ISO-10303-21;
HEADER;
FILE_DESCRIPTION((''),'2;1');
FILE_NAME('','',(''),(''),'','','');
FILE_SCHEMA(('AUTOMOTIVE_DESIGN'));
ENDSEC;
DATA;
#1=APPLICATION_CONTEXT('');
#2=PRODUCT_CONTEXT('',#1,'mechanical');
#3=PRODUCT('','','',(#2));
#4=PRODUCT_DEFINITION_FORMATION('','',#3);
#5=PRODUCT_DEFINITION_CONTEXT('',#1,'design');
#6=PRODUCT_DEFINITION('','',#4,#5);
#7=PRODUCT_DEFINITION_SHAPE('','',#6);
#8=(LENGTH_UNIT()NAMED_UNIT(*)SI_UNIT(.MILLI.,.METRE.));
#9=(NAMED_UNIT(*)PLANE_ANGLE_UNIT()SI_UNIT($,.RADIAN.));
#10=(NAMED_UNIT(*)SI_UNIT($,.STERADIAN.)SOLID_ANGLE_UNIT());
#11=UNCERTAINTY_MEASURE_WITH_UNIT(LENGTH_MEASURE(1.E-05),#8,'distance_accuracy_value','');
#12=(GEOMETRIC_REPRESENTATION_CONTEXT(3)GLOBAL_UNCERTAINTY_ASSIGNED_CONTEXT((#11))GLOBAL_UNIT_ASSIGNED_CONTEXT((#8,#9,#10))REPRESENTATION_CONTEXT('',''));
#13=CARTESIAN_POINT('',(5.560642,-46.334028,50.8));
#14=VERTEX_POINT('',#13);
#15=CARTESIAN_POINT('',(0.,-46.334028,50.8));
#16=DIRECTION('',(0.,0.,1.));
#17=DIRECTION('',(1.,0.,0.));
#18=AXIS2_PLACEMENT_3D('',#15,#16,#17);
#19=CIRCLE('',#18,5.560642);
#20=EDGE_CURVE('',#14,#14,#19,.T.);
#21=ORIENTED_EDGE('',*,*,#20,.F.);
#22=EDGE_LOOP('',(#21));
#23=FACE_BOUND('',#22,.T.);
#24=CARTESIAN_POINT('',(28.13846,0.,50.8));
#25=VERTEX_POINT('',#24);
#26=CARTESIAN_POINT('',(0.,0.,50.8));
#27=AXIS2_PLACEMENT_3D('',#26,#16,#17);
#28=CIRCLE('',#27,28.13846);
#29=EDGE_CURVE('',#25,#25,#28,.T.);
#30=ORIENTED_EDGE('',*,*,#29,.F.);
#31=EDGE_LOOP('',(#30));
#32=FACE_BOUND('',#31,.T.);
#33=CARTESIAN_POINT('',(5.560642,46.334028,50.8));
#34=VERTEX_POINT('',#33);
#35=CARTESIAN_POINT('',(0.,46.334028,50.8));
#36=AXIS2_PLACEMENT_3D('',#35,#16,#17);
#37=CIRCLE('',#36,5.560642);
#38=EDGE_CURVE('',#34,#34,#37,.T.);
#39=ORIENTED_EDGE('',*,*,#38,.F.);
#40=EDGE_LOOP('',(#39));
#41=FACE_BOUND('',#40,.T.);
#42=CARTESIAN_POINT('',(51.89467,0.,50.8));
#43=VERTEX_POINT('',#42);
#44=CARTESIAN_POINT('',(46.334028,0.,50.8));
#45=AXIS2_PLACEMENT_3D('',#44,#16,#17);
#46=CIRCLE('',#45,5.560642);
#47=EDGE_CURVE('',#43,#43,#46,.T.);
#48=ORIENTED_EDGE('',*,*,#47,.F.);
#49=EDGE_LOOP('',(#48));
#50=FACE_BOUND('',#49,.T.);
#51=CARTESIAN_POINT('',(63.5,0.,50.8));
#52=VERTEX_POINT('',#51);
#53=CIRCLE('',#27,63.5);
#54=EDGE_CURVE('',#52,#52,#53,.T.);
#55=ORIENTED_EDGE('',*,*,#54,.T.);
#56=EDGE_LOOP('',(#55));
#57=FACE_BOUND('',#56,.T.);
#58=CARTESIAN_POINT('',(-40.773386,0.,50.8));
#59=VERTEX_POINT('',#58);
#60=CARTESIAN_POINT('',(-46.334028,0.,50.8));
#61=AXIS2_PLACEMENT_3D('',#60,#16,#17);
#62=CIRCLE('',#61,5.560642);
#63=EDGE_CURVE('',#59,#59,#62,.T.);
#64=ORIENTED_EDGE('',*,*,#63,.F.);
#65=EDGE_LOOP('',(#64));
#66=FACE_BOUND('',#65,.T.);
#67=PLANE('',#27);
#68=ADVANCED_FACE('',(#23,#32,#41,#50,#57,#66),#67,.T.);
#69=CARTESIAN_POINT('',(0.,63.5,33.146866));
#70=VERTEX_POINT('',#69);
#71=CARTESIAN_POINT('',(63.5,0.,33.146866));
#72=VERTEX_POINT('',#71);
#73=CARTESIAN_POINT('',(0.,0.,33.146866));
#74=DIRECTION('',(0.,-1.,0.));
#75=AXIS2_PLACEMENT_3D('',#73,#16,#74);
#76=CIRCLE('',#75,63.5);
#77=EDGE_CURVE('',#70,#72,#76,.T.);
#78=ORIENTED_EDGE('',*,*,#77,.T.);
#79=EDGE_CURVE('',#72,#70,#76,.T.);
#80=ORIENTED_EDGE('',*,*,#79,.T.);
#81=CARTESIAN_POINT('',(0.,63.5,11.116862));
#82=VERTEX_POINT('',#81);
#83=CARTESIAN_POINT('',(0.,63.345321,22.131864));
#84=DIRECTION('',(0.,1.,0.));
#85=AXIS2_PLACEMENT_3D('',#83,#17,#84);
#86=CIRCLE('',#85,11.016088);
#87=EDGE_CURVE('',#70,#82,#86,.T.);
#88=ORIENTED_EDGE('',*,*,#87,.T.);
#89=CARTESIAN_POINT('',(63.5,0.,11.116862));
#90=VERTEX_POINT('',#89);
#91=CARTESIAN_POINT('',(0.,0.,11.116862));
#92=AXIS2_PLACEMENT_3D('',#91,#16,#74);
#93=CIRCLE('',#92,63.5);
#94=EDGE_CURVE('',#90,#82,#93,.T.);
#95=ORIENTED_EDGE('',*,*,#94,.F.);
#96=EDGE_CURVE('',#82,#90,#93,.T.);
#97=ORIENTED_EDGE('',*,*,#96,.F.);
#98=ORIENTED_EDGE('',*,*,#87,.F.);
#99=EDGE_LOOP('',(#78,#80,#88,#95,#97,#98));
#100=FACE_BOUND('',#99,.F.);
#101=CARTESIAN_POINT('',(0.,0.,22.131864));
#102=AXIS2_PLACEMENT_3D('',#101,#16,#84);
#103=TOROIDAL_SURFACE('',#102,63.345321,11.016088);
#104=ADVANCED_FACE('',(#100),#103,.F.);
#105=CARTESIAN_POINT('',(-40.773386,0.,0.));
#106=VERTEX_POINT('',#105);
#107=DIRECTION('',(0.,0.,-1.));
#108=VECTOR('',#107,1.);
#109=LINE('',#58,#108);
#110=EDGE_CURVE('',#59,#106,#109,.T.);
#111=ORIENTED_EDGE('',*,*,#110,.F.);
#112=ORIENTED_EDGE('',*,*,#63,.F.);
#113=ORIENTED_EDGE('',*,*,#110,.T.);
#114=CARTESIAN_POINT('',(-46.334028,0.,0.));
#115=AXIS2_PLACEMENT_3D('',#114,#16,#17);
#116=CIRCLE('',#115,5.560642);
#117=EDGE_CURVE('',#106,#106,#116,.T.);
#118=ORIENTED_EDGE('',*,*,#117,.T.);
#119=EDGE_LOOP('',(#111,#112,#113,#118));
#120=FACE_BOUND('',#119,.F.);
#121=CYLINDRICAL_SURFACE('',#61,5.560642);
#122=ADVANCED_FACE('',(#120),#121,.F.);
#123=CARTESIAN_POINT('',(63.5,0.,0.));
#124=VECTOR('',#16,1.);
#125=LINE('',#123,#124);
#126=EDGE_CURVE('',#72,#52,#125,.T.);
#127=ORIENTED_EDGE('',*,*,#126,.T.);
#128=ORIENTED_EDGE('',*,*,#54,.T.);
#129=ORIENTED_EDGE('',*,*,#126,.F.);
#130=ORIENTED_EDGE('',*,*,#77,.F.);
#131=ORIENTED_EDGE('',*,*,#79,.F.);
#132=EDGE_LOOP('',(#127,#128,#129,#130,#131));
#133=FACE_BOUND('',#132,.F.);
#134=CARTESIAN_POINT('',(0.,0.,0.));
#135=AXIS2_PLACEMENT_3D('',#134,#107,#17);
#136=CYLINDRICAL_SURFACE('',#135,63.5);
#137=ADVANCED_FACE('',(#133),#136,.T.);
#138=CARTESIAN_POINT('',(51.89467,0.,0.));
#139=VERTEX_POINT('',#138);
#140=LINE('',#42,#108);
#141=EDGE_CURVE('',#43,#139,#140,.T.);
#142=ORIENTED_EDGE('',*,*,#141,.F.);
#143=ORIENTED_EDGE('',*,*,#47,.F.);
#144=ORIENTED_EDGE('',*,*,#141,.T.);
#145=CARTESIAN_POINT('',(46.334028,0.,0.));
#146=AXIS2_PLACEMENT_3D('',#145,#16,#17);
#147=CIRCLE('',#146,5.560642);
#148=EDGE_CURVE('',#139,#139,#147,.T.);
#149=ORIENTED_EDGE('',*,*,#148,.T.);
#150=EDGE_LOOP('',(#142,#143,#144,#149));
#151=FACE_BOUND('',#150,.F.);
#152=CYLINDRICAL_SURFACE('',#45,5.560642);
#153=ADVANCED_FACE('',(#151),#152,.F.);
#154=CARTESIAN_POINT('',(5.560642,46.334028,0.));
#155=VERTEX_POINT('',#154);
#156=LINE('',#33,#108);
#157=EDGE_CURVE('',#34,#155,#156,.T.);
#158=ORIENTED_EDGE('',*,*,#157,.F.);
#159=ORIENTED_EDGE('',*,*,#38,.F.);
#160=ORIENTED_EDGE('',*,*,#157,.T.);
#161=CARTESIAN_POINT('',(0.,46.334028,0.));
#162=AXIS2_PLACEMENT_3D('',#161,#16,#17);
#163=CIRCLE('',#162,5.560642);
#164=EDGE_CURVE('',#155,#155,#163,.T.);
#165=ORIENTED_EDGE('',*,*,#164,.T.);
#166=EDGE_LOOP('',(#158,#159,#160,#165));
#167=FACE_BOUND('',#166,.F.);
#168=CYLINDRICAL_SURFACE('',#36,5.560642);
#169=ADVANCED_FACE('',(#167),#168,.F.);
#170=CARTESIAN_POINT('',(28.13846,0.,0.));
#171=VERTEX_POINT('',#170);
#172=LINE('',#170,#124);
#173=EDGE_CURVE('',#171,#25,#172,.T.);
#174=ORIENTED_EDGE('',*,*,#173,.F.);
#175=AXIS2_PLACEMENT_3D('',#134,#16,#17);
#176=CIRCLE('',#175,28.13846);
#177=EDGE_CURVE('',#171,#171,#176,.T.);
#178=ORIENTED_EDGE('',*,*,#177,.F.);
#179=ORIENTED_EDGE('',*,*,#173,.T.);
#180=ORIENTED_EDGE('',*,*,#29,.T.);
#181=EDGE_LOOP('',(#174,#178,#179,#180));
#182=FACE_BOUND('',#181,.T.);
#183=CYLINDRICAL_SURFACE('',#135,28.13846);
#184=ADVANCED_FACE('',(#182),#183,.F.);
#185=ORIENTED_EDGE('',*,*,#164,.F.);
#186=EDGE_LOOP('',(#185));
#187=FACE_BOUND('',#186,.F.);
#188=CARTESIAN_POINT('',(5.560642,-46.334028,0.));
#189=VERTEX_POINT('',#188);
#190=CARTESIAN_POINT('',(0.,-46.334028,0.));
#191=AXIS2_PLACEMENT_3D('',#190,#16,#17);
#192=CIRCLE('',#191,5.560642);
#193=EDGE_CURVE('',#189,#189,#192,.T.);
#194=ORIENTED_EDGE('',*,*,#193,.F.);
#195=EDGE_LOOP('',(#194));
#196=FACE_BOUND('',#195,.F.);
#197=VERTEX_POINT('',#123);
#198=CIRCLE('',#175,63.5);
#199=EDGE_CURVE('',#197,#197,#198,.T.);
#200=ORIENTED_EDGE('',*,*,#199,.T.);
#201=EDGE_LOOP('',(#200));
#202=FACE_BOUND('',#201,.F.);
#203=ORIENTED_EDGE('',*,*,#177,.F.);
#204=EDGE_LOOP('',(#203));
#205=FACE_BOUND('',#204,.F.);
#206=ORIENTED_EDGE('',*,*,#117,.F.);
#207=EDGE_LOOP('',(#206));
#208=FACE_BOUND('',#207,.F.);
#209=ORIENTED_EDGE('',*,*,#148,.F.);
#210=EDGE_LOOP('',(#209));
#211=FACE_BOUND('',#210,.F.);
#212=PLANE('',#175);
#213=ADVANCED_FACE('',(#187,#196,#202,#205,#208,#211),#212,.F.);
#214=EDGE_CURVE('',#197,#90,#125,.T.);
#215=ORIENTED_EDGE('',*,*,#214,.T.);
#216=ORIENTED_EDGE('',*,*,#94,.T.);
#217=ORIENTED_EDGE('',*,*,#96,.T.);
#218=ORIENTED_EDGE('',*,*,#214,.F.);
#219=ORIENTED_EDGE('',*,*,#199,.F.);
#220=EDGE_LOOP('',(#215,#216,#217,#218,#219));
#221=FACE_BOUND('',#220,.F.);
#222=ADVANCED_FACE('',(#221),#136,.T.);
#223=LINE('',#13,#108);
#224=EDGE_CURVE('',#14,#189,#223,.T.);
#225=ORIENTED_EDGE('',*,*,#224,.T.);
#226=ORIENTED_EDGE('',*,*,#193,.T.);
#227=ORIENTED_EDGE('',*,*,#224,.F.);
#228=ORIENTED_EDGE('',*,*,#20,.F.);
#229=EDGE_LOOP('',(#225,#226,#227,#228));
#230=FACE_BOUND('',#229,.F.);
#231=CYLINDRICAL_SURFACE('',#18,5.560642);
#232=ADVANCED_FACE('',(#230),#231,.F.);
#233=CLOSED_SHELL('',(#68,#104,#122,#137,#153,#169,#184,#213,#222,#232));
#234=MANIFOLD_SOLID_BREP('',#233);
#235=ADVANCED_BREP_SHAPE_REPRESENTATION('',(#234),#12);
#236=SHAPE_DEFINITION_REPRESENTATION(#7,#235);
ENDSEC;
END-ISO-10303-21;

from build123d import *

# Parameters (mm, degrees)
F0_R     = 63.5
F0_R_2   = 28.1384603026
F1_DEPTH = 50.8
F2_R     = 11.0160883331
F4_R     = 5.5606419872
F5_DEPTH = 50.801


with BuildPart() as f1:
    # F0 (on Top) → F1 (new body)
    with BuildSketch(Plane.XY):
        Circle(F0_R)
        Circle(F0_R_2, mode=Mode.SUBTRACT)
    extrude(amount=F1_DEPTH)

    # F3: sweep along a path in F3_path
    with BuildLine(Plane(origin=(63.5, 0, 50.8), x_dir=(0, 1, 0), z_dir=(0, 0, 1))) as f3_path:
        CenterArc((0, 63.5), 63.5, 0, 360)
    # F2 (on Right) → F3 (sweep, cut)
    with BuildSketch(Plane.YZ):
        with Locations((63.3453205228, 22.1318639815)):
            Circle(F2_R)
    sweep(path=f3_path.line, mode=Mode.SUBTRACT)

    # F4 (on face) → F5 (cut, through all)
    with BuildSketch(Plane.XY.offset(50.8)):
        with Locations((0, -46.334028244)):
            Circle(F4_R)
        with Locations((46.334028244, 0)):
            Circle(F4_R)
        with Locations((0, 46.334028244)):
            Circle(F4_R)
        with Locations((-46.334028244, 0)):
            Circle(F4_R)
    extrude(amount=-F5_DEPTH, mode=Mode.SUBTRACT)


solid = f1.part
